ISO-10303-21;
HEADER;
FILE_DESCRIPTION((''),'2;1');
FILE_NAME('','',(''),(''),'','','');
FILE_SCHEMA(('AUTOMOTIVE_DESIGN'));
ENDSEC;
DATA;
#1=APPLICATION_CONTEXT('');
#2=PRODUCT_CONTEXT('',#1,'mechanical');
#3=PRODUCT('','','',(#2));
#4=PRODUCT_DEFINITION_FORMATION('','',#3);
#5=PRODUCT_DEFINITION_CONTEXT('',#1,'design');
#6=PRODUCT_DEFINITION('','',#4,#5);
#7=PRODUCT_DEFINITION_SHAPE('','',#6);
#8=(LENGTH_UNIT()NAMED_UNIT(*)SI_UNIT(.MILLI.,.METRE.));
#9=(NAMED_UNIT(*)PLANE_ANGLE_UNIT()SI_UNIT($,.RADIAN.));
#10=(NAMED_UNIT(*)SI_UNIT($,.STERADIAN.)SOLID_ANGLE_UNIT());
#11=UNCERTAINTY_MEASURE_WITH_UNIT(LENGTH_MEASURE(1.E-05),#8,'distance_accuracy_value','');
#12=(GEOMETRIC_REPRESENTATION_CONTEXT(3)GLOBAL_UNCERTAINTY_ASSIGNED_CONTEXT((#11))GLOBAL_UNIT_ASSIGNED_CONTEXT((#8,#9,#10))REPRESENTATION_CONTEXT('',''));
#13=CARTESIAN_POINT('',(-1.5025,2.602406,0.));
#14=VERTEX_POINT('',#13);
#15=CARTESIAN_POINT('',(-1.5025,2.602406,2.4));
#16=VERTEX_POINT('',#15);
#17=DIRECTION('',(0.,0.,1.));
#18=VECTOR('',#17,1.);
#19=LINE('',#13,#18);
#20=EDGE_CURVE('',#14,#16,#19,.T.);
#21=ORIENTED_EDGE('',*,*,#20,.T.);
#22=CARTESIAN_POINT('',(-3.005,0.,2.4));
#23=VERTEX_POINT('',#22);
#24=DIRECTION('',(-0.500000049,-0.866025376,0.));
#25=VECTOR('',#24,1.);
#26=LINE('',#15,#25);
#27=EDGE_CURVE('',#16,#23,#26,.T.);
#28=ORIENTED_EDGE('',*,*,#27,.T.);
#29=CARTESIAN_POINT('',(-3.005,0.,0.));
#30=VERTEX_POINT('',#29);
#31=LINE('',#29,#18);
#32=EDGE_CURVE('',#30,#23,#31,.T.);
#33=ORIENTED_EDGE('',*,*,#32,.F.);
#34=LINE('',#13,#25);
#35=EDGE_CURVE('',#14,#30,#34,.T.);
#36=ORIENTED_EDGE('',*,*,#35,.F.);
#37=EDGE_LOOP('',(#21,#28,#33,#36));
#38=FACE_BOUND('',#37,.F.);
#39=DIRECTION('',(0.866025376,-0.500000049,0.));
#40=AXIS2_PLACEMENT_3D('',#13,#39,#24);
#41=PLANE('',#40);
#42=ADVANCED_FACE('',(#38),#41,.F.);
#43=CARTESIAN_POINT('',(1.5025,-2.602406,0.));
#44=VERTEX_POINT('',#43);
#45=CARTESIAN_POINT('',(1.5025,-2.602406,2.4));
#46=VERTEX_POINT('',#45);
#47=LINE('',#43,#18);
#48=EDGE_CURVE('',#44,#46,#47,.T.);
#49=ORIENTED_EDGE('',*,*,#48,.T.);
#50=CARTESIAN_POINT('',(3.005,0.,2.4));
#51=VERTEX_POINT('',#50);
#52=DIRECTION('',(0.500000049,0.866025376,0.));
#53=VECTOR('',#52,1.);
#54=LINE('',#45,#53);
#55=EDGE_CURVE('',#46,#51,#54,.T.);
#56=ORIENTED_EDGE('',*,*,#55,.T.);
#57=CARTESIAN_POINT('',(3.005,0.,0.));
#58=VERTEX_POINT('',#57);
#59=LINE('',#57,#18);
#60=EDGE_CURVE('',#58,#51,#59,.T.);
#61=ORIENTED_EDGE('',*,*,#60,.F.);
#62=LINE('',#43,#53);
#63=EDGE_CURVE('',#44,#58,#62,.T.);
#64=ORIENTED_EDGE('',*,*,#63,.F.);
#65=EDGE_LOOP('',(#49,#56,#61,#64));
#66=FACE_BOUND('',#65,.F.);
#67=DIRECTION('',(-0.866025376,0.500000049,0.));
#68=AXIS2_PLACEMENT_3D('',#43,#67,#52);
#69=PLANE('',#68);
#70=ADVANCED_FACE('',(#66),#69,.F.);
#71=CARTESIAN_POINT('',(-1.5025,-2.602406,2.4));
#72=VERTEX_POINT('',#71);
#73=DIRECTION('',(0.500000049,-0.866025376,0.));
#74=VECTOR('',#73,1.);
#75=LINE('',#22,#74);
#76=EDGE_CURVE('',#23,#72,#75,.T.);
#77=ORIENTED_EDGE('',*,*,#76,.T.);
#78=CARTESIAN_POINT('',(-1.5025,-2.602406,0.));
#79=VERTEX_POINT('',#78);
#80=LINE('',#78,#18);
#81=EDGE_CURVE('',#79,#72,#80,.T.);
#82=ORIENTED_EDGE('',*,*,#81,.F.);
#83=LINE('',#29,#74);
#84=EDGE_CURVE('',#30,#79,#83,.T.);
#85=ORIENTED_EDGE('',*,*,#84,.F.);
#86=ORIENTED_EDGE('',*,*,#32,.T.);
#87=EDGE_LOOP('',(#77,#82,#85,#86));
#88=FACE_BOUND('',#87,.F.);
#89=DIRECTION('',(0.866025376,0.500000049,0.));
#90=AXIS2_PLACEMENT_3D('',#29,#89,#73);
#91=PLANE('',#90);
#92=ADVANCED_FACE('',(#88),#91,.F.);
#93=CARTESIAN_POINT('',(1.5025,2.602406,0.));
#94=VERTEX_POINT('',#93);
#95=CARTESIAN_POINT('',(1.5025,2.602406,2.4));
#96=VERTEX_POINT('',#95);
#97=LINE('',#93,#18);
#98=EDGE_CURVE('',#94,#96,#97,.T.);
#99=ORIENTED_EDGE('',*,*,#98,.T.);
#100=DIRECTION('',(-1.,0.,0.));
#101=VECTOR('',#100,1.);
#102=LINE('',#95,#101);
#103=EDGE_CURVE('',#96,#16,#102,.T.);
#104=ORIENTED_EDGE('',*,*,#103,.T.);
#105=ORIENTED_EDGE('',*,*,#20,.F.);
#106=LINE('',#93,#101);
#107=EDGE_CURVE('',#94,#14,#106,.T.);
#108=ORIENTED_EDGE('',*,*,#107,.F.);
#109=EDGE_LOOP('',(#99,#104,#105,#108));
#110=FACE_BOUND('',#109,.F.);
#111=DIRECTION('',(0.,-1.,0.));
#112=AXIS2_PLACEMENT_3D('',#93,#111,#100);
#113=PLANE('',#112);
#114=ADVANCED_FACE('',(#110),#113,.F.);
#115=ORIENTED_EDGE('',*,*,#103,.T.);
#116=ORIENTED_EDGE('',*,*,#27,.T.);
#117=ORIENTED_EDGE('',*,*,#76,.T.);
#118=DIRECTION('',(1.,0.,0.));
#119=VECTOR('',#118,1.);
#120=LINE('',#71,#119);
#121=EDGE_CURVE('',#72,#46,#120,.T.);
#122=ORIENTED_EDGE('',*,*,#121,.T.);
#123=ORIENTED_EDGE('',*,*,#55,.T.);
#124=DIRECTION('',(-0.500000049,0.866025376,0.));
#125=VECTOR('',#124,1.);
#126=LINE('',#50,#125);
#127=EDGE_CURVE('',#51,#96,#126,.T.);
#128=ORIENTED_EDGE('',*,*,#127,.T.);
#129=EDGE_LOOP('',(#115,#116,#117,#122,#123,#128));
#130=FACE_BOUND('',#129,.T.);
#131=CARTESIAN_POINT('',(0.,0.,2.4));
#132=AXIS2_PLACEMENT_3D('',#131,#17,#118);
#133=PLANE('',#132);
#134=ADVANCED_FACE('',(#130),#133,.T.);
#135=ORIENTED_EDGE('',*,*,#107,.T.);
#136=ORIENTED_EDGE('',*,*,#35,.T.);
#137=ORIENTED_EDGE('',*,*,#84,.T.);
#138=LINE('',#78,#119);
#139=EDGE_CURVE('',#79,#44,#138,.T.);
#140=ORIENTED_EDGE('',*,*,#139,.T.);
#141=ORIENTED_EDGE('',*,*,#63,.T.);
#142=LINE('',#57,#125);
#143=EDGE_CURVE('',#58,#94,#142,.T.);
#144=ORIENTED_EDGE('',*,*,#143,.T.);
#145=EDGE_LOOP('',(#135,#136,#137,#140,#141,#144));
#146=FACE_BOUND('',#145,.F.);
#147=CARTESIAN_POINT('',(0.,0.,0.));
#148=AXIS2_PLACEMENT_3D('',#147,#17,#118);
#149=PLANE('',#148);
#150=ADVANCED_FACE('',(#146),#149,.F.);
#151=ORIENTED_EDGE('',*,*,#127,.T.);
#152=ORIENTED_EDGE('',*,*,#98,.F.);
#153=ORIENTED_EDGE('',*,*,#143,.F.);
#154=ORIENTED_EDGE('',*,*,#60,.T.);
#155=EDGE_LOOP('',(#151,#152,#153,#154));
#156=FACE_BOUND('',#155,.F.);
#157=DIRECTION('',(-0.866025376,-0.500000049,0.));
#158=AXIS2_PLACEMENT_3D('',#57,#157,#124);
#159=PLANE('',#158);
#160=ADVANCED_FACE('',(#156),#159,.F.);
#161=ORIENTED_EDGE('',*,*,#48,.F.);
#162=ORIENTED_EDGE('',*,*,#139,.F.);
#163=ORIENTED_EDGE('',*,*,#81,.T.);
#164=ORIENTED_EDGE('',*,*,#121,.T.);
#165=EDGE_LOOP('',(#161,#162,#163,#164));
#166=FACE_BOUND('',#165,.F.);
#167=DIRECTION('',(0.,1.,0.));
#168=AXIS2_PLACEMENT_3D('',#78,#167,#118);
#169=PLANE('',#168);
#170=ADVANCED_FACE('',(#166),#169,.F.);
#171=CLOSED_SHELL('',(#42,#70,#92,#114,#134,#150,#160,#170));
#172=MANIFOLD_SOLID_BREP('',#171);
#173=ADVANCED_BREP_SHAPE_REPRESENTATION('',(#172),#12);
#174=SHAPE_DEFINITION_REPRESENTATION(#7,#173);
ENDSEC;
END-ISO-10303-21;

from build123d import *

# Parameters (mm, degrees)
EXTRUDE_DEPTH = 2.4


with BuildPart() as part:
    # Sketch → Extrude (new body)
    with BuildSketch(Plane.XY):
        Polygon((-3.005, 0), (-1.5025, -2.602406), (1.5025, -2.602406), (3.005, 0), (1.5025, 2.602406), (-1.5025, 2.602406), align=None)
    extrude(amount=EXTRUDE_DEPTH)


solid = part.part
